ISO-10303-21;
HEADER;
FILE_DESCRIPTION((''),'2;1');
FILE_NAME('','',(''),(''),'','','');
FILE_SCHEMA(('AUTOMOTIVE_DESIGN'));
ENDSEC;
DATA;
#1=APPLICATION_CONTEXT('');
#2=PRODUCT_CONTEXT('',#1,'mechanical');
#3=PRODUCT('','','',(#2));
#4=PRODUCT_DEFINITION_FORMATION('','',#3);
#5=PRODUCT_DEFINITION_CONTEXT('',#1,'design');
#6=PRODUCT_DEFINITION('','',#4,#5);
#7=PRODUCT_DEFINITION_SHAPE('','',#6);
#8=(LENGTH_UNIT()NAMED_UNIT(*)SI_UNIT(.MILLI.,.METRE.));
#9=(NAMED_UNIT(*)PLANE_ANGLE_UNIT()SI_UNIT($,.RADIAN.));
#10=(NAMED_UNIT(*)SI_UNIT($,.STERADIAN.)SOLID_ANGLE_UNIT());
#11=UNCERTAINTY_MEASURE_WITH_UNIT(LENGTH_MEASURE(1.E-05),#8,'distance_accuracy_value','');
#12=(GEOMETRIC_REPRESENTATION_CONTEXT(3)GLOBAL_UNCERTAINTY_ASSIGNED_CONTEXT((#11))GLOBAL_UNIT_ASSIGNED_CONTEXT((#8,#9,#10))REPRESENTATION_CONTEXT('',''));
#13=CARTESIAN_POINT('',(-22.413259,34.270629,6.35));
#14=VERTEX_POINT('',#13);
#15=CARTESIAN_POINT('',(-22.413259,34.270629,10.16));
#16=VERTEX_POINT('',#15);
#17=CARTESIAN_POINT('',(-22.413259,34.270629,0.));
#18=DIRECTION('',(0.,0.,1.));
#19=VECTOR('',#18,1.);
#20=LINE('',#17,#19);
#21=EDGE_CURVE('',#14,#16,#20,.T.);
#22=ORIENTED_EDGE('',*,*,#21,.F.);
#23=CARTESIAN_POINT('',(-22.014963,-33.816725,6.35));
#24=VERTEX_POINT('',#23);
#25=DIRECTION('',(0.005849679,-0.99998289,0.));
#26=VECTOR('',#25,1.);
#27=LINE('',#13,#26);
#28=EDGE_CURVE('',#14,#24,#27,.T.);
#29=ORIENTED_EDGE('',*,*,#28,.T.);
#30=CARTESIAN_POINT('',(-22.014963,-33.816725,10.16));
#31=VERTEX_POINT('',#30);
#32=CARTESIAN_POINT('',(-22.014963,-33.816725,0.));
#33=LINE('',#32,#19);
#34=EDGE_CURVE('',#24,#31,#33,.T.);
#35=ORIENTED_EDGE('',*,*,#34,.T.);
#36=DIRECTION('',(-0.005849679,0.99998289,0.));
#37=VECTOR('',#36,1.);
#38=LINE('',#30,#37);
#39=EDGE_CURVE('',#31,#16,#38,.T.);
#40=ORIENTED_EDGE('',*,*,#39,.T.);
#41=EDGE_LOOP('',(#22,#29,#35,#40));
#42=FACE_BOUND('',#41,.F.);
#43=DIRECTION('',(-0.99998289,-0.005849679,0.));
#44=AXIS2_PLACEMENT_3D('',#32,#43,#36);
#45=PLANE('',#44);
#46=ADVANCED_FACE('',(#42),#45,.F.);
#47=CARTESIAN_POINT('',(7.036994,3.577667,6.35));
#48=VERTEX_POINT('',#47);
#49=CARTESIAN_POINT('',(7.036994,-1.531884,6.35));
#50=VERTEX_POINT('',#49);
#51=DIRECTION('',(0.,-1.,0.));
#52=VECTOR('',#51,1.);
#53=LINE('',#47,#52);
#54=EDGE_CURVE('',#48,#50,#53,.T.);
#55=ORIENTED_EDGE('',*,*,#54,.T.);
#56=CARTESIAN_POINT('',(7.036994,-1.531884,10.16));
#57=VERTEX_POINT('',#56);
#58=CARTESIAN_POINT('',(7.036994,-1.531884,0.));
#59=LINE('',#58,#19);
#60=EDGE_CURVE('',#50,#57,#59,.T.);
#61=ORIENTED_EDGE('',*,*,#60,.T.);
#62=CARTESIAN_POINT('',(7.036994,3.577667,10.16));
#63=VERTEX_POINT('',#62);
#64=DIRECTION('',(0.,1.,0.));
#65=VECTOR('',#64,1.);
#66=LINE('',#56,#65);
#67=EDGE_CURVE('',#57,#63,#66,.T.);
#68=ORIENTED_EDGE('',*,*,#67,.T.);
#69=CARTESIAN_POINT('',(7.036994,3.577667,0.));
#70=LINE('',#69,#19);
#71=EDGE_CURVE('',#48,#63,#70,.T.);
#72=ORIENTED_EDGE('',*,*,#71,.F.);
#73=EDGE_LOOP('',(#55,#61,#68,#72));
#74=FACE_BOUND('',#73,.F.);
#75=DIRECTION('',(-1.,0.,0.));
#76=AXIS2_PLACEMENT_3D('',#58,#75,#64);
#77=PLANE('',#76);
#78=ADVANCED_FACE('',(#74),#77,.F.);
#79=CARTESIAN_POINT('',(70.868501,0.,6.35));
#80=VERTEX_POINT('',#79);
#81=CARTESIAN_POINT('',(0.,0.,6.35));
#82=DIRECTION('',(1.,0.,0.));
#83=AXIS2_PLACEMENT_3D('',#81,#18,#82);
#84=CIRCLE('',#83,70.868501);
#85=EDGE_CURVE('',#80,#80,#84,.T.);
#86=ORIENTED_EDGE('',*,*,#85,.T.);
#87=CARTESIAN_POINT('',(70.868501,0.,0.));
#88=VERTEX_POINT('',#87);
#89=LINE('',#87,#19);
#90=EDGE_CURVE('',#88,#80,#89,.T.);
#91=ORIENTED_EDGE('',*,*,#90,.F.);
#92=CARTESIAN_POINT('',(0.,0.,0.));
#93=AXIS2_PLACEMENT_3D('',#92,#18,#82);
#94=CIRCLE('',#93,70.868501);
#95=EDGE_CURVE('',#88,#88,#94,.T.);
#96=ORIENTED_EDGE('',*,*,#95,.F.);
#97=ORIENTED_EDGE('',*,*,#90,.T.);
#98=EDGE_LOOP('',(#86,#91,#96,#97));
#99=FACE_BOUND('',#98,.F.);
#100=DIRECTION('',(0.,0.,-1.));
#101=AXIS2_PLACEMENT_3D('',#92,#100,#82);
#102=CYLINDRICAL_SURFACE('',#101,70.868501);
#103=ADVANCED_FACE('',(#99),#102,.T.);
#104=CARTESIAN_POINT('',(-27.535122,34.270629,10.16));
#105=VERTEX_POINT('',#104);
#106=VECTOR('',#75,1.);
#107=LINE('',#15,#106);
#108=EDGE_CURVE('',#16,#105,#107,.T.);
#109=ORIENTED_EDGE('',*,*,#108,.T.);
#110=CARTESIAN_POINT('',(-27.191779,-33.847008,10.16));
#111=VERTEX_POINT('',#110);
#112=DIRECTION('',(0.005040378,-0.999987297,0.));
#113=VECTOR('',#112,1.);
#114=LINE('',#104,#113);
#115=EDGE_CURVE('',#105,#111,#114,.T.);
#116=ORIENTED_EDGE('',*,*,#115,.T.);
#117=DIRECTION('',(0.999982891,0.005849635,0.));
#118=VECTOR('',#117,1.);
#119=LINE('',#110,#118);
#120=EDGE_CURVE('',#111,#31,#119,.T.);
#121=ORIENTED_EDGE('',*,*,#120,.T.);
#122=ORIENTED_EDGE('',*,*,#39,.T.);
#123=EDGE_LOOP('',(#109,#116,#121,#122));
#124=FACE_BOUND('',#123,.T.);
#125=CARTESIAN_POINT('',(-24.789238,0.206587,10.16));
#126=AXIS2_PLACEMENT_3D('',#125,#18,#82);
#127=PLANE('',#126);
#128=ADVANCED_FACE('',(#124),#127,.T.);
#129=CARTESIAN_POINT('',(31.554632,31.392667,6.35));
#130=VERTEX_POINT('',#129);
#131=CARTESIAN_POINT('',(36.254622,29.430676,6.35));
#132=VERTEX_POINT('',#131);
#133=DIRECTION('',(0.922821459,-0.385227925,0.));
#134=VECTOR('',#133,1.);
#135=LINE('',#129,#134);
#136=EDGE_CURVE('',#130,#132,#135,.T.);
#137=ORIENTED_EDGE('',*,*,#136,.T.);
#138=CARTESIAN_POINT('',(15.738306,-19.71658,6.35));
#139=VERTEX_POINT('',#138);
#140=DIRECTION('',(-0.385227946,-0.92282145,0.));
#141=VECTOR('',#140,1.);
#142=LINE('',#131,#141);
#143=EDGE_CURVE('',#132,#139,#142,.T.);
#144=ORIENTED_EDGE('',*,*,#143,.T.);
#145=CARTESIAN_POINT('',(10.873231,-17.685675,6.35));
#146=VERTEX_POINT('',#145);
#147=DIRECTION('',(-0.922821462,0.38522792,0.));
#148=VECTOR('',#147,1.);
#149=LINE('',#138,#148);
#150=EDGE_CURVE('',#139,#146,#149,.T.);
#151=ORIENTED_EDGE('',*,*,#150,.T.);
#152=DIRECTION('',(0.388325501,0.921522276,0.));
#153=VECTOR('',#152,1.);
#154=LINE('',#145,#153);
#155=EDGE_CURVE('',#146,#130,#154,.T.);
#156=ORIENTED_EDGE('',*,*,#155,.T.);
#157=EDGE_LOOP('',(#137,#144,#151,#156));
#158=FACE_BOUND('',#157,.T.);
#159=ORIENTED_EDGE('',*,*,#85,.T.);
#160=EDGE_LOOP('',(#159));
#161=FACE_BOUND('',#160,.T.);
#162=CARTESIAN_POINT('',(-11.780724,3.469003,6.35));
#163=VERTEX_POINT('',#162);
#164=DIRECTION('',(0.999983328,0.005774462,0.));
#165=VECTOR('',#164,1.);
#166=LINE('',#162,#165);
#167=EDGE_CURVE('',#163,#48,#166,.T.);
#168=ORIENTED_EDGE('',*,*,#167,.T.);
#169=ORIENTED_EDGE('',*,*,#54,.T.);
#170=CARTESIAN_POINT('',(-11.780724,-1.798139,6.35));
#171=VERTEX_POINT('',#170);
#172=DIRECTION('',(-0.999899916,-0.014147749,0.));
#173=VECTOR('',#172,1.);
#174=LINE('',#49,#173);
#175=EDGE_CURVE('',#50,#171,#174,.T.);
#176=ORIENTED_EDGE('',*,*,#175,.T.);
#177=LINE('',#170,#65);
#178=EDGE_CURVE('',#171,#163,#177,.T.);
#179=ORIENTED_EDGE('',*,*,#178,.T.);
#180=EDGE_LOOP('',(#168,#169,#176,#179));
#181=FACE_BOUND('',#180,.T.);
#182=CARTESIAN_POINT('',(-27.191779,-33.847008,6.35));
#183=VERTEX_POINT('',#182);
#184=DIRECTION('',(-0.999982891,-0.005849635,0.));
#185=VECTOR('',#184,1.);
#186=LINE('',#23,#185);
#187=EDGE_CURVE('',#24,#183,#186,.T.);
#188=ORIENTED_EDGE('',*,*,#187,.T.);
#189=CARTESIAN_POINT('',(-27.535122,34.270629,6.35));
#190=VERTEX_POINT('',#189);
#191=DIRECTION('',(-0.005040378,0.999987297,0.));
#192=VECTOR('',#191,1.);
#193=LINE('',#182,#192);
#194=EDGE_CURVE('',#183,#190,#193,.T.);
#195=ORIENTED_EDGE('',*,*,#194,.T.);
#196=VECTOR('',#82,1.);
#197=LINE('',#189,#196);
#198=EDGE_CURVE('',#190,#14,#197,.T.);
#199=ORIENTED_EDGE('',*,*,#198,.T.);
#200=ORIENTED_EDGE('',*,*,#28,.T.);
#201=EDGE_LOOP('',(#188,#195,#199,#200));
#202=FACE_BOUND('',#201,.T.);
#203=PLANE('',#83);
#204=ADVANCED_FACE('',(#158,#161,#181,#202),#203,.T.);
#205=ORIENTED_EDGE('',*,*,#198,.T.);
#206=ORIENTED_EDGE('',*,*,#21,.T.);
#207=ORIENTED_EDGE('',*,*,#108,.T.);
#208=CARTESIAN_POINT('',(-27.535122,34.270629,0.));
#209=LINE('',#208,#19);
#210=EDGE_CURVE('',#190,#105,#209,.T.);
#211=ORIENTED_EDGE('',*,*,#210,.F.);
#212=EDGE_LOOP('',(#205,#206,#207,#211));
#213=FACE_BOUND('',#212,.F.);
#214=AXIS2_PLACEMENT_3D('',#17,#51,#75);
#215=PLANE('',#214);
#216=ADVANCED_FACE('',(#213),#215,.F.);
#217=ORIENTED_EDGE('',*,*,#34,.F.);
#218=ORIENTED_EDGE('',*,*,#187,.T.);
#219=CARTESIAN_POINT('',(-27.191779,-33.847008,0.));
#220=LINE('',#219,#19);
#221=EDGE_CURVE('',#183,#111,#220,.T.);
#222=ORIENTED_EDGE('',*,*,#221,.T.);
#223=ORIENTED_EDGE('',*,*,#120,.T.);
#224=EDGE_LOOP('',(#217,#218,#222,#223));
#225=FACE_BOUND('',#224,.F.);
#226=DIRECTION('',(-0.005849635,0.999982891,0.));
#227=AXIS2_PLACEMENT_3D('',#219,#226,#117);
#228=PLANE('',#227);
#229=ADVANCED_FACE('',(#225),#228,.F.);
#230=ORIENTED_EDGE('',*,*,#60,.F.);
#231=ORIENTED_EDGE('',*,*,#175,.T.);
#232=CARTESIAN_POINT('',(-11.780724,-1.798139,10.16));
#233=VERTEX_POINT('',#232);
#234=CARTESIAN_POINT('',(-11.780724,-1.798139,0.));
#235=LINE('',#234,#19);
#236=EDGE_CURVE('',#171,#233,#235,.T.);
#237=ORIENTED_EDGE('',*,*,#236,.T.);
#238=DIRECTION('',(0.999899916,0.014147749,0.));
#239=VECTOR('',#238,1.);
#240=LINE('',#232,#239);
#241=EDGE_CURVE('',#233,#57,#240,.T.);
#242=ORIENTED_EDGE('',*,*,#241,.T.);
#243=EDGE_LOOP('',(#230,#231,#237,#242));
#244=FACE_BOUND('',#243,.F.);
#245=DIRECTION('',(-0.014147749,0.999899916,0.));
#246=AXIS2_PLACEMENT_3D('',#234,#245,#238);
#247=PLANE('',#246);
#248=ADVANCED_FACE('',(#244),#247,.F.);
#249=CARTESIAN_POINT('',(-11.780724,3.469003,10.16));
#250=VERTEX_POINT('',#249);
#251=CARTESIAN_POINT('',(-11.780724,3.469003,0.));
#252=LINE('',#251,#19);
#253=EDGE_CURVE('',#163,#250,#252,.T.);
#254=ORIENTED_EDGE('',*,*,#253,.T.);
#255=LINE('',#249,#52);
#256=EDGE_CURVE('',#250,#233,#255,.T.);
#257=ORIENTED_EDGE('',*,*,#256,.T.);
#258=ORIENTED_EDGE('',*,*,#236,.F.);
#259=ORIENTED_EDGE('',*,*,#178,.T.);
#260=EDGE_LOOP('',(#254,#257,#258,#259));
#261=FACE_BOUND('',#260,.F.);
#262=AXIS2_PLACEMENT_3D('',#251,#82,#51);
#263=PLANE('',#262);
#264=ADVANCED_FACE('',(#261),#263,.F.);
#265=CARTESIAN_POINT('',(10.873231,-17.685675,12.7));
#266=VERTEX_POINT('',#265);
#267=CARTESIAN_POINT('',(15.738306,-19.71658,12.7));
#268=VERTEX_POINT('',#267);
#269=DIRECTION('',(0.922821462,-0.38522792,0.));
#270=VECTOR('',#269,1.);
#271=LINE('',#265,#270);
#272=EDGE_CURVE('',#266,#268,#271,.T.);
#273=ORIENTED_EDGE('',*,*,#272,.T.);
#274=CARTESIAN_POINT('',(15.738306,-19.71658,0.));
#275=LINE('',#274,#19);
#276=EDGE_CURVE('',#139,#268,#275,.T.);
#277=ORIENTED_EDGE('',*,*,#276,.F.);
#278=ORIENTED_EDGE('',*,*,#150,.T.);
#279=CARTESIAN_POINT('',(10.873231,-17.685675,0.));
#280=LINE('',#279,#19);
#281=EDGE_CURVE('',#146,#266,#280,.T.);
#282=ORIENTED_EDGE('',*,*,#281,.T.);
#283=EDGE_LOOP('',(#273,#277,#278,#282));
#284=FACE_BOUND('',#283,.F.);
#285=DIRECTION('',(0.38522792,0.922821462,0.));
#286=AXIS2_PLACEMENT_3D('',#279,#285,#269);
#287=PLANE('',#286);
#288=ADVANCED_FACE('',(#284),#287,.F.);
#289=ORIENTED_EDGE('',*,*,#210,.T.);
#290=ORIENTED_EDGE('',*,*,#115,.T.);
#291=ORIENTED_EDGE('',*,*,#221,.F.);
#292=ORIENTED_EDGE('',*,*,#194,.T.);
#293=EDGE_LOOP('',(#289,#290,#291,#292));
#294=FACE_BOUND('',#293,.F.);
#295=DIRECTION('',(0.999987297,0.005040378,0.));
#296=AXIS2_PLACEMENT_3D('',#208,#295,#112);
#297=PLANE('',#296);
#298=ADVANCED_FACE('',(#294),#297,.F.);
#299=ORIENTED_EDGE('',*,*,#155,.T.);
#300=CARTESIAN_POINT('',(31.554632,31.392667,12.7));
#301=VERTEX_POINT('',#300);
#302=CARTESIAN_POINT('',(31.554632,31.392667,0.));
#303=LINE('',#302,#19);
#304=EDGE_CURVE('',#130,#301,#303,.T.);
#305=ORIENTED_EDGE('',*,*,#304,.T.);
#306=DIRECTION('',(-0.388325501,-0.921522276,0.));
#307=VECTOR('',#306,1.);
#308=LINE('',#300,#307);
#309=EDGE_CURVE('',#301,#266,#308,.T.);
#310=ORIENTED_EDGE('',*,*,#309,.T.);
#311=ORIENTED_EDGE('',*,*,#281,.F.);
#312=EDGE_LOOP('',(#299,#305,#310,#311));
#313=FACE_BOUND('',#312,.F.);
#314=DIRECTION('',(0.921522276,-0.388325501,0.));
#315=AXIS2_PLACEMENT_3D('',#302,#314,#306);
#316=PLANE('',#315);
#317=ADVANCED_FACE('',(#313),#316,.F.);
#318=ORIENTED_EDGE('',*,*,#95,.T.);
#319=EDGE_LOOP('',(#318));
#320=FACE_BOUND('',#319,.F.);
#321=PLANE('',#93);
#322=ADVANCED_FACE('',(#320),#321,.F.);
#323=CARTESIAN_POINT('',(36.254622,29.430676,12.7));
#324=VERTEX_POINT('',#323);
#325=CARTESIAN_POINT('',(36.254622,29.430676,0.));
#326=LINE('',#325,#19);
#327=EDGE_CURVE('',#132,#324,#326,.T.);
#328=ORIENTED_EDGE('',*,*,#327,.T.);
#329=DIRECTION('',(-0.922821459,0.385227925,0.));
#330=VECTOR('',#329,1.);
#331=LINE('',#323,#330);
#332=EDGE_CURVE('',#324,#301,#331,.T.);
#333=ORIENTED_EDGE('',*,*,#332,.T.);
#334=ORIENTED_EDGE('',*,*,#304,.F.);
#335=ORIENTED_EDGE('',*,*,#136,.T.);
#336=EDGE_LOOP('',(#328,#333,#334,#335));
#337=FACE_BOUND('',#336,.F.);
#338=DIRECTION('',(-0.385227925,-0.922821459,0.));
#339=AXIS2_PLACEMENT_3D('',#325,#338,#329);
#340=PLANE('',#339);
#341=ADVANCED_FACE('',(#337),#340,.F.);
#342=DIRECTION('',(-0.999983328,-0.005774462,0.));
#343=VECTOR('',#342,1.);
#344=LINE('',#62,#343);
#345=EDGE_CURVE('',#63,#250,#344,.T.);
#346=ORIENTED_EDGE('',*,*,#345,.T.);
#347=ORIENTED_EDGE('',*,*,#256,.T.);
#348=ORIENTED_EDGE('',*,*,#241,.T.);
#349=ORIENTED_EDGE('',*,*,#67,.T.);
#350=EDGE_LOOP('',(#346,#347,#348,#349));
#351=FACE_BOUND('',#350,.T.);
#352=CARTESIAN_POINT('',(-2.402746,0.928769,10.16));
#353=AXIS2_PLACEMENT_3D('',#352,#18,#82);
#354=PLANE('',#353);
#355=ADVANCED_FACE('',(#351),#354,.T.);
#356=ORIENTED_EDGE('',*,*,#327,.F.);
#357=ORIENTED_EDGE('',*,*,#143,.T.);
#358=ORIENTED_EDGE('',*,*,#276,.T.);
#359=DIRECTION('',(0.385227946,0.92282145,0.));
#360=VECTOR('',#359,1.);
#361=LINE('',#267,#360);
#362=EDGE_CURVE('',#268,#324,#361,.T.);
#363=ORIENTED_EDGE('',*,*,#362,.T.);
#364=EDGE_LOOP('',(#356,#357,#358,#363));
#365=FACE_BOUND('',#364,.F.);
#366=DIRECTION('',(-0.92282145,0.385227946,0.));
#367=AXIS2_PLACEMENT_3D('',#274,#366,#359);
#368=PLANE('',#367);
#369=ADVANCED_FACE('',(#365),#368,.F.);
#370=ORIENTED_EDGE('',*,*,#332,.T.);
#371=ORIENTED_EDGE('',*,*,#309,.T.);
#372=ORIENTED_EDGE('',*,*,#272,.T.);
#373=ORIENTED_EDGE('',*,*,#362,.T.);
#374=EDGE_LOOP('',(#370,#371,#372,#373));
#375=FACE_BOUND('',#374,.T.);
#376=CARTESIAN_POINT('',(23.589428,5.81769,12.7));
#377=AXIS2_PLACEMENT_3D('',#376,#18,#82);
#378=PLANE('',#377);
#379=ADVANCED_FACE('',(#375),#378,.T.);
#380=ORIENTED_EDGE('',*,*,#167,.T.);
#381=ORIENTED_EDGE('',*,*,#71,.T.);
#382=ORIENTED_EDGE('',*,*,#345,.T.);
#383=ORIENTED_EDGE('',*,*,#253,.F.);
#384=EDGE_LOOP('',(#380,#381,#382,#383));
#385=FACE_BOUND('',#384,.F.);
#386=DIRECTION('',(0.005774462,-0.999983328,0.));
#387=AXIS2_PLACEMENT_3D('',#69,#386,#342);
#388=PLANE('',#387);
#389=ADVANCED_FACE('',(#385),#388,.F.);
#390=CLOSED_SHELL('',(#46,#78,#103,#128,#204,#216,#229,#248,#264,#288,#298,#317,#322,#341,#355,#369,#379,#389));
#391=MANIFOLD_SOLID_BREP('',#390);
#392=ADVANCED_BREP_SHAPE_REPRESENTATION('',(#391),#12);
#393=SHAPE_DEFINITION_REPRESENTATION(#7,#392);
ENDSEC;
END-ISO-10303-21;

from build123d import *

# Parameters (mm, degrees)
F0_R     = 70.868501
F1_DEPTH = 6.35
F2_DEPTH = 10.16
F3_DEPTH = 12.7


with BuildPart() as f1:
    # F0 (on Top) → F1 (new body)
    with BuildSketch(Plane.XY):
        Circle(F0_R)
        Polygon((-27.191779, -33.847008), (-27.535122, 34.270629), (-22.413259, 34.270629), (-22.014963, -33.816725), align=None, mode=Mode.SUBTRACT)
        Polygon((-11.780724, 3.469003), (7.036994, 3.577667), (7.036994, -1.531884), (-11.780724, -1.798139), align=None, mode=Mode.SUBTRACT)
        Polygon((10.873231, -17.685675), (31.554632, 31.392667), (36.254622, 29.430676), (15.738306, -19.71658), align=None, mode=Mode.SUBTRACT)
    extrude(amount=F1_DEPTH)

    # F0 (on Top) → F2 (join)
    with BuildSketch(Plane.XY):
        Polygon((-22.413259, 34.270629), (-27.535122, 34.270629), (-27.191779, -33.847008), (-22.014963, -33.816725), align=None)
        Polygon((7.036994, -1.531884), (7.036994, 3.577667), (-11.780724, 3.469003), (-11.780724, -1.798139), align=None)
    extrude(amount=F2_DEPTH)

    # F0 (on Top) → F3 (join)
    with BuildSketch(Plane.XY):
        Polygon((36.254622, 29.430676), (31.554632, 31.392667), (10.873231, -17.685675), (15.738306, -19.71658), align=None)
    extrude(amount=F3_DEPTH)


solid = f1.part
